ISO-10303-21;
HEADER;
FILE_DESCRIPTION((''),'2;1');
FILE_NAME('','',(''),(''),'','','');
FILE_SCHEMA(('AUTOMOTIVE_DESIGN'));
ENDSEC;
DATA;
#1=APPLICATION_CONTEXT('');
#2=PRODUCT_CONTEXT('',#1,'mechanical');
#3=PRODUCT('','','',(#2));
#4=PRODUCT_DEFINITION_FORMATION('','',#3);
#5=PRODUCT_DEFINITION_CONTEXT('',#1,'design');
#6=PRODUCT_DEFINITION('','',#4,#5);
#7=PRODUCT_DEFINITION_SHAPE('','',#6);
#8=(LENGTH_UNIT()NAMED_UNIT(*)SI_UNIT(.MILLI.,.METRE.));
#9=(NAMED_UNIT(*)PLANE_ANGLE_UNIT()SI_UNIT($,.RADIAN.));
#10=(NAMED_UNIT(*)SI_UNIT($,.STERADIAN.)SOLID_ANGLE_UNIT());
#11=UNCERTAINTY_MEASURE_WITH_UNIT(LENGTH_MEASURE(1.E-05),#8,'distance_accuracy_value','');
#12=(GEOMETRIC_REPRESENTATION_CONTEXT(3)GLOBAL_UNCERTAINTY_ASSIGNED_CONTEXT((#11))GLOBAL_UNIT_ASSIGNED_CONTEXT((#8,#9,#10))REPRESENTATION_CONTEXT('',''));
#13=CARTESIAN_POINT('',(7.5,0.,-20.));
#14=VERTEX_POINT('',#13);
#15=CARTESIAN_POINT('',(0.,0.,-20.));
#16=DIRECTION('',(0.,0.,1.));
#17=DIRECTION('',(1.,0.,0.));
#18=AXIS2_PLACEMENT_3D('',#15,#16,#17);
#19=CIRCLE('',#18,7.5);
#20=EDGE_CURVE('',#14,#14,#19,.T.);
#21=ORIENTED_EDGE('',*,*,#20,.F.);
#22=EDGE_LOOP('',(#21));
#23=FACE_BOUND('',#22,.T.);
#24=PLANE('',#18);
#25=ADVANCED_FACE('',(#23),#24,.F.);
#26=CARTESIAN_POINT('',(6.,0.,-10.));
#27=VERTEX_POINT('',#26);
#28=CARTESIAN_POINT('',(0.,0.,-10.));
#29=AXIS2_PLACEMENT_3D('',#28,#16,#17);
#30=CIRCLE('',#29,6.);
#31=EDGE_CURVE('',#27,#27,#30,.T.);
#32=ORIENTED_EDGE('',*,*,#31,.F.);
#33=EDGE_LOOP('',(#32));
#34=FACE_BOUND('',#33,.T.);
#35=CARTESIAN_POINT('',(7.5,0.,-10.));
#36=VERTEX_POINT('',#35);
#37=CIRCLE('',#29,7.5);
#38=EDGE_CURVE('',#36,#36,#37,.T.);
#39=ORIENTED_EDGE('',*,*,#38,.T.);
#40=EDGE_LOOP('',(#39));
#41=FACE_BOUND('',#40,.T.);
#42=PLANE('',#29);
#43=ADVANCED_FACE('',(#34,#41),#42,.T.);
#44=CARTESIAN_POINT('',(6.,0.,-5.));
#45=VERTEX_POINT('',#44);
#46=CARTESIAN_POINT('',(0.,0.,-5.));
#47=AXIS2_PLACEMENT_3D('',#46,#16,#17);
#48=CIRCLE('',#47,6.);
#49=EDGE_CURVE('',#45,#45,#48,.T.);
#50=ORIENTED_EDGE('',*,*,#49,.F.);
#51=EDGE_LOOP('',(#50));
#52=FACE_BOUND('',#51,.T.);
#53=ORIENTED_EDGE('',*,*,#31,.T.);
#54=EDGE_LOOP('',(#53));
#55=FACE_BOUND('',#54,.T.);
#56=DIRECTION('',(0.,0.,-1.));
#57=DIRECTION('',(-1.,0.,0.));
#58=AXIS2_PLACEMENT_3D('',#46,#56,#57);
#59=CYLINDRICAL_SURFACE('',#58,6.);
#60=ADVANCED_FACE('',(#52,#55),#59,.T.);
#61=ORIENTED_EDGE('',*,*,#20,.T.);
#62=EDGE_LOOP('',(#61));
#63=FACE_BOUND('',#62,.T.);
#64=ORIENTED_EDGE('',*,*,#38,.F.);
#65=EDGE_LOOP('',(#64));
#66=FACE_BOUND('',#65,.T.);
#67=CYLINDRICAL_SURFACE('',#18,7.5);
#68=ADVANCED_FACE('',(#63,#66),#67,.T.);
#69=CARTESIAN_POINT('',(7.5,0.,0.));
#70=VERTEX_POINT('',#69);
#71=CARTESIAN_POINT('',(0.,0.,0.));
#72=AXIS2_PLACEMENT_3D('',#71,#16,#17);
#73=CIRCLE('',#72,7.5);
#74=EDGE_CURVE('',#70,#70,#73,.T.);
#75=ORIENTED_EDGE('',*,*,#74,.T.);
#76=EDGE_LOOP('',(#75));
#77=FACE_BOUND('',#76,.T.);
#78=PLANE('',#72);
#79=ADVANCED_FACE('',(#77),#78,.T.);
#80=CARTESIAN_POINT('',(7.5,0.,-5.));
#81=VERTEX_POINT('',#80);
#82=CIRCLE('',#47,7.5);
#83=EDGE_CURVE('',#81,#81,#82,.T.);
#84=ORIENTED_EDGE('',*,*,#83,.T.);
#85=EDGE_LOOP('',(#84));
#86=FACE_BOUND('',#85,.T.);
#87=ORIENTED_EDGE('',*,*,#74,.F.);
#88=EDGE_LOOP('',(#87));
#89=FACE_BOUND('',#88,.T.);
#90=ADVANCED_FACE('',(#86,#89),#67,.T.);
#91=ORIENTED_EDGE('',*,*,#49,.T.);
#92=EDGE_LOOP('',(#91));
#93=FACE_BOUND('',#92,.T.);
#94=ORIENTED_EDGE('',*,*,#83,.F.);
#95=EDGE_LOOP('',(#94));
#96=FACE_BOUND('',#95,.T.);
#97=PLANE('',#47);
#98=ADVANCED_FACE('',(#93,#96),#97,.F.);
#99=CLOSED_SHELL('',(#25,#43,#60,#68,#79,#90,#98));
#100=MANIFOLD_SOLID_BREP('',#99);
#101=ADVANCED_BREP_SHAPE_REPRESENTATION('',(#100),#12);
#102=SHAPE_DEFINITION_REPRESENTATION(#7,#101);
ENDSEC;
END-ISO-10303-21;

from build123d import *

# Parameters (mm, degrees)
SKETCH1_R               = 7.5
BOSS_EXTRUDE1_DEPTH     = 20
SKETCH4_R               = 7.5
SKETCH4_R_2             = 6
CUT_EXTRUDE2_DEPTH      = 2.5
CUT_EXTRUDE2_DEPTH_BACK = 2.5


with BuildPart() as part:
    # Sketch1 → Boss-Extrude1 (new body)
    with BuildSketch(Plane.XY):
        Circle(SKETCH1_R)
    extrude(amount=-BOSS_EXTRUDE1_DEPTH)

    # Sketch4 → Cut-Extrude2 (cut, two sides)
    with BuildSketch(Plane.XY.offset(-7.5)) as cut_extrude2_sk:
        Circle(SKETCH4_R)
        Circle(SKETCH4_R_2, mode=Mode.SUBTRACT)
    extrude(amount=CUT_EXTRUDE2_DEPTH, mode=Mode.SUBTRACT)
    extrude(cut_extrude2_sk.sketch, amount=-CUT_EXTRUDE2_DEPTH_BACK, mode=Mode.SUBTRACT)


solid = part.part
